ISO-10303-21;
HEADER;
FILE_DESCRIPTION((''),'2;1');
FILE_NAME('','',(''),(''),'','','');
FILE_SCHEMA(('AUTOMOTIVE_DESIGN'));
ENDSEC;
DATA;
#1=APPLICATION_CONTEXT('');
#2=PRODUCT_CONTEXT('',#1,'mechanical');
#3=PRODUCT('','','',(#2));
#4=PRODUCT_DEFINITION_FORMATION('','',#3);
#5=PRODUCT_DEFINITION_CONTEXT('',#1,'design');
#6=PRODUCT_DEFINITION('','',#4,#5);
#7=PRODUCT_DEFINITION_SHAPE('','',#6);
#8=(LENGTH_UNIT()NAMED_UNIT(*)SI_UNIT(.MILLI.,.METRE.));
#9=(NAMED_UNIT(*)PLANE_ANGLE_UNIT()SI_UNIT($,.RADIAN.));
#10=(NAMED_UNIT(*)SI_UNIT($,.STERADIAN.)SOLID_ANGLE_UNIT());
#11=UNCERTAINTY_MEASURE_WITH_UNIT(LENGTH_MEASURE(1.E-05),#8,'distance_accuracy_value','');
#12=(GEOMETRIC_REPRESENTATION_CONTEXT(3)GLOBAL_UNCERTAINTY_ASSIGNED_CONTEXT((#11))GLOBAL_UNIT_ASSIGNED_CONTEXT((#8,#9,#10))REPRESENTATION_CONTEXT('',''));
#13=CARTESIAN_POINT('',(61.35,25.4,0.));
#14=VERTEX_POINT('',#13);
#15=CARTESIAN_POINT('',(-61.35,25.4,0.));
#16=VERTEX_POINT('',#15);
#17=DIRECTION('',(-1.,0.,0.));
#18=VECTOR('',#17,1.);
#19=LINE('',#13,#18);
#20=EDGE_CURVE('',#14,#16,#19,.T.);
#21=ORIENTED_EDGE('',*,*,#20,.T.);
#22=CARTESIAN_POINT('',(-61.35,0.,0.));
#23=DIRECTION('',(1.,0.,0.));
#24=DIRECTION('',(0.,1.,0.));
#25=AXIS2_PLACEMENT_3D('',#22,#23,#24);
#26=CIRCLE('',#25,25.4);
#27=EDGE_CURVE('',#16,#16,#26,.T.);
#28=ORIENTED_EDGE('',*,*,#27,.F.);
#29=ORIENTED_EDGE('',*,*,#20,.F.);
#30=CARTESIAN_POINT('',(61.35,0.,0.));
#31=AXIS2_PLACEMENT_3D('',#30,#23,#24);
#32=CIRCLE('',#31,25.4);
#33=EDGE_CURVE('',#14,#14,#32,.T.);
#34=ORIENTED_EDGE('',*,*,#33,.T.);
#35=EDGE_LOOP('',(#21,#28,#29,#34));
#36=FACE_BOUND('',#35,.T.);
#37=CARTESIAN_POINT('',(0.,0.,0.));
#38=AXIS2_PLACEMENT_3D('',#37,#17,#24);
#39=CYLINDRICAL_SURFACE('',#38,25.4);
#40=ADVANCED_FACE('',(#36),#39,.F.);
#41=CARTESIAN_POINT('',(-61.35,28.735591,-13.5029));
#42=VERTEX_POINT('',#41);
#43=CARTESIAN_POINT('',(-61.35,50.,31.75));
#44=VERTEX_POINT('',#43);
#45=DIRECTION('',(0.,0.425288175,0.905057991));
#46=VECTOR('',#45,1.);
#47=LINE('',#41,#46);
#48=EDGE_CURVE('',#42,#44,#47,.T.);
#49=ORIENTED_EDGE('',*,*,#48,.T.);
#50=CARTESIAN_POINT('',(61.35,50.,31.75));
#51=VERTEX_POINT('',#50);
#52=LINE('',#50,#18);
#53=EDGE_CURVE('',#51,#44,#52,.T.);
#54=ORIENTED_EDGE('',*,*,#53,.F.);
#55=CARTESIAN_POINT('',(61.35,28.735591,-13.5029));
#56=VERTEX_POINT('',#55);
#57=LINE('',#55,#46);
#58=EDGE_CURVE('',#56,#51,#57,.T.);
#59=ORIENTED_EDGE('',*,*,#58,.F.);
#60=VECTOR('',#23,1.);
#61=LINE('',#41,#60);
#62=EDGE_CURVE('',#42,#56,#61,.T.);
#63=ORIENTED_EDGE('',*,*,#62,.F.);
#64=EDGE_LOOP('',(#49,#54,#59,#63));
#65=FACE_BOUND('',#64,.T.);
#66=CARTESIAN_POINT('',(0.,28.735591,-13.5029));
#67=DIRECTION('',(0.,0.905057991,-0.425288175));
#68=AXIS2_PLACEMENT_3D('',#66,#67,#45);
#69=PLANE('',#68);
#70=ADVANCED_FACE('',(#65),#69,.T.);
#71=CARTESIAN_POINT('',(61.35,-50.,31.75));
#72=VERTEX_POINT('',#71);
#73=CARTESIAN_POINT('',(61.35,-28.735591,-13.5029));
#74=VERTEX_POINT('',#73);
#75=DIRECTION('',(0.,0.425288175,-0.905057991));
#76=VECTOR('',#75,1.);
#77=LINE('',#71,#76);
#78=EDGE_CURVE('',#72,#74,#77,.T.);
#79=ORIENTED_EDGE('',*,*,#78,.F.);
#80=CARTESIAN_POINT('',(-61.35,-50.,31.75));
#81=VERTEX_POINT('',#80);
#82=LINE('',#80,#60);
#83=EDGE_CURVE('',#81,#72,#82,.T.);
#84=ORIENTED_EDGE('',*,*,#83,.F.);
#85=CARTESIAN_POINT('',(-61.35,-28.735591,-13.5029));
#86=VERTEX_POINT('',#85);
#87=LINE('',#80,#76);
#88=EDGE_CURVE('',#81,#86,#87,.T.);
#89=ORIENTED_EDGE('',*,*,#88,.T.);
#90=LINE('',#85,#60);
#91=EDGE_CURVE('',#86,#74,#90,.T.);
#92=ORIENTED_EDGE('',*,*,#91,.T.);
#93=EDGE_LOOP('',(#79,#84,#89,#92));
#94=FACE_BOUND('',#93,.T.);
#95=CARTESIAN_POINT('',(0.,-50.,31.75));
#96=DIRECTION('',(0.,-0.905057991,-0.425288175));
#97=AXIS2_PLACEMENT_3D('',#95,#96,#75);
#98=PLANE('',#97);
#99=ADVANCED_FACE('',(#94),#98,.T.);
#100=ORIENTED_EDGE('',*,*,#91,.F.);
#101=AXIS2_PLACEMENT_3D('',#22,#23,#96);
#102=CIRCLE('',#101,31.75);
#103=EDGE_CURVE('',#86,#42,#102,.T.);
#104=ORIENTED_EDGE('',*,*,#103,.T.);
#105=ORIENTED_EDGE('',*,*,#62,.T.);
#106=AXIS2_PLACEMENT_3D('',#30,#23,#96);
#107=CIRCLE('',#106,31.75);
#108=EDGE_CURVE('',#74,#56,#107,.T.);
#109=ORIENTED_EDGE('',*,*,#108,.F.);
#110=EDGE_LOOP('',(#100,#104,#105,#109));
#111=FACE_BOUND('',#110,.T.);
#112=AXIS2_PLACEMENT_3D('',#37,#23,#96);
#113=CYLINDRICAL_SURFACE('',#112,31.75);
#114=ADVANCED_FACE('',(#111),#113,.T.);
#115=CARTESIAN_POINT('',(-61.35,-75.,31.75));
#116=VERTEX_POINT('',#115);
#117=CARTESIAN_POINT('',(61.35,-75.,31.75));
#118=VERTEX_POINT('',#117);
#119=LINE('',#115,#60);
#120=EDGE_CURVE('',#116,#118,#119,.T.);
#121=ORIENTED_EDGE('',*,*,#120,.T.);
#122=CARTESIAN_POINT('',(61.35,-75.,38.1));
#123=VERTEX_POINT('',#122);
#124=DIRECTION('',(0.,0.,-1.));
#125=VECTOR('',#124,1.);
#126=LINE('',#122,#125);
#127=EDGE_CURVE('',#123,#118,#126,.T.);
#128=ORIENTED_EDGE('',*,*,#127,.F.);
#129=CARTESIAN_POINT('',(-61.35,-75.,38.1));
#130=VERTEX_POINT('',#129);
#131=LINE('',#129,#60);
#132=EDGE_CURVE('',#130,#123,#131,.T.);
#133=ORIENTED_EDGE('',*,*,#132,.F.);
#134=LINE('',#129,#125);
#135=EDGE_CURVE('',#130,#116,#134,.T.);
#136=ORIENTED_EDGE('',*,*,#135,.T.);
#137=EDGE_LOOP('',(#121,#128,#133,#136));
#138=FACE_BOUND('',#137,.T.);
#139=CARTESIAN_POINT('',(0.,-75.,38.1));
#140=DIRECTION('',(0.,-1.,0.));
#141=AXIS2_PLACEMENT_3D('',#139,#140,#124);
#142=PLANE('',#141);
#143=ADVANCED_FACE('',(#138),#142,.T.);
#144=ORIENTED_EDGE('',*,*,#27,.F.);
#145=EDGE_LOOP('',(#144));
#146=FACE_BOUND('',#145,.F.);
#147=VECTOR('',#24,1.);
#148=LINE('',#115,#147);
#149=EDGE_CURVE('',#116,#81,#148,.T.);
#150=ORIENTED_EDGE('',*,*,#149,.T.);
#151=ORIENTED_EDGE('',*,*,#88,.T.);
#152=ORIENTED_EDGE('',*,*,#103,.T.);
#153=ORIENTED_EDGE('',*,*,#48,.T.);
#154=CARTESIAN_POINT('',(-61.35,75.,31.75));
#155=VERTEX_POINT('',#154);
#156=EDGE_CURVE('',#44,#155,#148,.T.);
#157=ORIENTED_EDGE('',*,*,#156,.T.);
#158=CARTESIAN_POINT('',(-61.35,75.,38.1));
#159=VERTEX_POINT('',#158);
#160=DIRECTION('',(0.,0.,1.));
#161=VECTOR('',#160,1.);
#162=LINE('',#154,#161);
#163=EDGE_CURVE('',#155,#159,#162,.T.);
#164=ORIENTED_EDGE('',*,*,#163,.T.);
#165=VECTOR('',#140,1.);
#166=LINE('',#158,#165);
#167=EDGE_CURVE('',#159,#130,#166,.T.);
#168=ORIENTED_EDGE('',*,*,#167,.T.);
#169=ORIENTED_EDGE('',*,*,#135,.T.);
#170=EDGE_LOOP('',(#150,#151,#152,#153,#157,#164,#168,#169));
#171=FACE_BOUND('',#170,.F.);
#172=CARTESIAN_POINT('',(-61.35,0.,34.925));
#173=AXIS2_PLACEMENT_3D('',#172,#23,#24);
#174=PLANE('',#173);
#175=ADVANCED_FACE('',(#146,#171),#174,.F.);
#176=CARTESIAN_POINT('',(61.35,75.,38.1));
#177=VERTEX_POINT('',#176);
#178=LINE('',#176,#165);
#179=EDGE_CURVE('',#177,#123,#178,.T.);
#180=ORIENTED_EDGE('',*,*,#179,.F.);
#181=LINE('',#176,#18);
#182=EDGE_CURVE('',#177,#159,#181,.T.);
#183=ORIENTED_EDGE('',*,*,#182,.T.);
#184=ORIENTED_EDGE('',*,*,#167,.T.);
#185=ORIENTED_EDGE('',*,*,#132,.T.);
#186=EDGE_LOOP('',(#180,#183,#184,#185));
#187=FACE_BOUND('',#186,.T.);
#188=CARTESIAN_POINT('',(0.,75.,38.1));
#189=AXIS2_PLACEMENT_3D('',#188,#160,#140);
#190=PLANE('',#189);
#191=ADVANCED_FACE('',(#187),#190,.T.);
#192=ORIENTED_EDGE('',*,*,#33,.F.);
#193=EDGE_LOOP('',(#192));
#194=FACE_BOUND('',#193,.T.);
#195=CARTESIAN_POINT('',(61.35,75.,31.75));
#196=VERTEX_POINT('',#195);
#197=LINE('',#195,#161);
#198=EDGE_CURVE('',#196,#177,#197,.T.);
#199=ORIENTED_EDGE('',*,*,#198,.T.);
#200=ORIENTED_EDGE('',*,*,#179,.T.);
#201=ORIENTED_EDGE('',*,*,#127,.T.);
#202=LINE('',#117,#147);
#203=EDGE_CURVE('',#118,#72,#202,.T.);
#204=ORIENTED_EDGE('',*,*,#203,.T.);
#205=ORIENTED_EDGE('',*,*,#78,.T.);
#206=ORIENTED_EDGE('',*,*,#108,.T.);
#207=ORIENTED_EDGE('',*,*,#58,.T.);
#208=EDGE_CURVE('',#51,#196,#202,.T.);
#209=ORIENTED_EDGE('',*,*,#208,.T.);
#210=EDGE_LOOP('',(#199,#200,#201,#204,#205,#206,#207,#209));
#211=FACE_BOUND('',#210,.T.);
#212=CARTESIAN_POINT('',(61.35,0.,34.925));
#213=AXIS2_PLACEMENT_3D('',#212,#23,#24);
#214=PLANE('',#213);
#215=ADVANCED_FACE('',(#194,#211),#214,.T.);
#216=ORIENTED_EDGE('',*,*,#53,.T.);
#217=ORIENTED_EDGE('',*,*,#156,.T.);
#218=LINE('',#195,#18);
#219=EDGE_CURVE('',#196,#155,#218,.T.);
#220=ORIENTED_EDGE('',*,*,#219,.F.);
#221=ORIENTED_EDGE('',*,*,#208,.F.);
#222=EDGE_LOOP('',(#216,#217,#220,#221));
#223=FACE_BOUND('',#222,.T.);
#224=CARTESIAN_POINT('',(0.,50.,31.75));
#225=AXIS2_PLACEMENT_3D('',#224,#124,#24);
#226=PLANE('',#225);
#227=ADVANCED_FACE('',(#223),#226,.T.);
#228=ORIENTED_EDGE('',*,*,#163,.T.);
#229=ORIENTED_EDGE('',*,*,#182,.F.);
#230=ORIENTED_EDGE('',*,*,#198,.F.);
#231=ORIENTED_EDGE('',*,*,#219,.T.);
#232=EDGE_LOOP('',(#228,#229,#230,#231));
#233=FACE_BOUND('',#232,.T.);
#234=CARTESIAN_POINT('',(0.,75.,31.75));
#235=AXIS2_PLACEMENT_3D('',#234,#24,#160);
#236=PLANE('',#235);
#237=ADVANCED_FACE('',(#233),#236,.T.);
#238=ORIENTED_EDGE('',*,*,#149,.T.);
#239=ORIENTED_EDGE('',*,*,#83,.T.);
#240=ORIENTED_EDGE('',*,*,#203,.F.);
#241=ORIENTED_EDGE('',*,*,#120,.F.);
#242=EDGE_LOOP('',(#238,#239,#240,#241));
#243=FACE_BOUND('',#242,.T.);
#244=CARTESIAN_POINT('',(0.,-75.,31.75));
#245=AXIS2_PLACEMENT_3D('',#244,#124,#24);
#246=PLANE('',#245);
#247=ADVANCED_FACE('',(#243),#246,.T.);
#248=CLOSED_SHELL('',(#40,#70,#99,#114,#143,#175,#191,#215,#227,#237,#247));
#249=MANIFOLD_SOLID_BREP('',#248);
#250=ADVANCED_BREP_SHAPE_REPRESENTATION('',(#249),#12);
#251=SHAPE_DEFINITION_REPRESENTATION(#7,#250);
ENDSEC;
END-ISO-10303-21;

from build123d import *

# Parameters (mm, degrees)
F0_R     = 25.4
F1_DEPTH = 61.35


with BuildPart() as f1:
    # F0 (on Right) → F1 (new body, symmetric)
    with BuildSketch(Plane.YZ):
        Polygon((75, 38.1), (-75, 38.1), (-75, 31.75), (-50, 31.75), (-1.82e-08, 31.75), (50, 31.75), (75, 31.75), align=None)
        with BuildLine():
            Line((-1.82e-08, 31.75), (-50, 31.75))
            Line((-50, 31.75), (-28.7355912274, -13.5028995706))
            ThreePointArc((-28.7355912274, -13.5028995706), (-26.8027942749, 17.0197743538), (-1.82e-08, 31.75))
        make_face()
        with BuildLine():
            ThreePointArc((31.75, 0), (22.4506402963, 22.4506403091), (-1.82e-08, 31.75))
            ThreePointArc((-1.82e-08, 31.75), (-26.8027942749, 17.0197743538), (-28.7355912274, -13.5028995706))
            ThreePointArc((-28.7355912274, -13.5028995706), (0, -31.75), (28.7355912274, -13.5028995706))
            ThreePointArc((28.7355912274, -13.5028995706), (30.9872354484, -6.9176397178), (31.75, 0))
        make_face()
        Circle(F0_R, mode=Mode.SUBTRACT)
        with BuildLine():
            Line((28.7355912274, -13.5028995706), (50, 31.75))
            Line((50, 31.75), (-1.82e-08, 31.75))
            ThreePointArc((-1.82e-08, 31.75), (22.4506402963, 22.4506403091), (31.75, 0))
            ThreePointArc((31.75, 0), (30.9872354484, -6.9176397178), (28.7355912274, -13.5028995706))
        make_face()
    extrude(amount=F1_DEPTH, both=True)


solid = f1.part
